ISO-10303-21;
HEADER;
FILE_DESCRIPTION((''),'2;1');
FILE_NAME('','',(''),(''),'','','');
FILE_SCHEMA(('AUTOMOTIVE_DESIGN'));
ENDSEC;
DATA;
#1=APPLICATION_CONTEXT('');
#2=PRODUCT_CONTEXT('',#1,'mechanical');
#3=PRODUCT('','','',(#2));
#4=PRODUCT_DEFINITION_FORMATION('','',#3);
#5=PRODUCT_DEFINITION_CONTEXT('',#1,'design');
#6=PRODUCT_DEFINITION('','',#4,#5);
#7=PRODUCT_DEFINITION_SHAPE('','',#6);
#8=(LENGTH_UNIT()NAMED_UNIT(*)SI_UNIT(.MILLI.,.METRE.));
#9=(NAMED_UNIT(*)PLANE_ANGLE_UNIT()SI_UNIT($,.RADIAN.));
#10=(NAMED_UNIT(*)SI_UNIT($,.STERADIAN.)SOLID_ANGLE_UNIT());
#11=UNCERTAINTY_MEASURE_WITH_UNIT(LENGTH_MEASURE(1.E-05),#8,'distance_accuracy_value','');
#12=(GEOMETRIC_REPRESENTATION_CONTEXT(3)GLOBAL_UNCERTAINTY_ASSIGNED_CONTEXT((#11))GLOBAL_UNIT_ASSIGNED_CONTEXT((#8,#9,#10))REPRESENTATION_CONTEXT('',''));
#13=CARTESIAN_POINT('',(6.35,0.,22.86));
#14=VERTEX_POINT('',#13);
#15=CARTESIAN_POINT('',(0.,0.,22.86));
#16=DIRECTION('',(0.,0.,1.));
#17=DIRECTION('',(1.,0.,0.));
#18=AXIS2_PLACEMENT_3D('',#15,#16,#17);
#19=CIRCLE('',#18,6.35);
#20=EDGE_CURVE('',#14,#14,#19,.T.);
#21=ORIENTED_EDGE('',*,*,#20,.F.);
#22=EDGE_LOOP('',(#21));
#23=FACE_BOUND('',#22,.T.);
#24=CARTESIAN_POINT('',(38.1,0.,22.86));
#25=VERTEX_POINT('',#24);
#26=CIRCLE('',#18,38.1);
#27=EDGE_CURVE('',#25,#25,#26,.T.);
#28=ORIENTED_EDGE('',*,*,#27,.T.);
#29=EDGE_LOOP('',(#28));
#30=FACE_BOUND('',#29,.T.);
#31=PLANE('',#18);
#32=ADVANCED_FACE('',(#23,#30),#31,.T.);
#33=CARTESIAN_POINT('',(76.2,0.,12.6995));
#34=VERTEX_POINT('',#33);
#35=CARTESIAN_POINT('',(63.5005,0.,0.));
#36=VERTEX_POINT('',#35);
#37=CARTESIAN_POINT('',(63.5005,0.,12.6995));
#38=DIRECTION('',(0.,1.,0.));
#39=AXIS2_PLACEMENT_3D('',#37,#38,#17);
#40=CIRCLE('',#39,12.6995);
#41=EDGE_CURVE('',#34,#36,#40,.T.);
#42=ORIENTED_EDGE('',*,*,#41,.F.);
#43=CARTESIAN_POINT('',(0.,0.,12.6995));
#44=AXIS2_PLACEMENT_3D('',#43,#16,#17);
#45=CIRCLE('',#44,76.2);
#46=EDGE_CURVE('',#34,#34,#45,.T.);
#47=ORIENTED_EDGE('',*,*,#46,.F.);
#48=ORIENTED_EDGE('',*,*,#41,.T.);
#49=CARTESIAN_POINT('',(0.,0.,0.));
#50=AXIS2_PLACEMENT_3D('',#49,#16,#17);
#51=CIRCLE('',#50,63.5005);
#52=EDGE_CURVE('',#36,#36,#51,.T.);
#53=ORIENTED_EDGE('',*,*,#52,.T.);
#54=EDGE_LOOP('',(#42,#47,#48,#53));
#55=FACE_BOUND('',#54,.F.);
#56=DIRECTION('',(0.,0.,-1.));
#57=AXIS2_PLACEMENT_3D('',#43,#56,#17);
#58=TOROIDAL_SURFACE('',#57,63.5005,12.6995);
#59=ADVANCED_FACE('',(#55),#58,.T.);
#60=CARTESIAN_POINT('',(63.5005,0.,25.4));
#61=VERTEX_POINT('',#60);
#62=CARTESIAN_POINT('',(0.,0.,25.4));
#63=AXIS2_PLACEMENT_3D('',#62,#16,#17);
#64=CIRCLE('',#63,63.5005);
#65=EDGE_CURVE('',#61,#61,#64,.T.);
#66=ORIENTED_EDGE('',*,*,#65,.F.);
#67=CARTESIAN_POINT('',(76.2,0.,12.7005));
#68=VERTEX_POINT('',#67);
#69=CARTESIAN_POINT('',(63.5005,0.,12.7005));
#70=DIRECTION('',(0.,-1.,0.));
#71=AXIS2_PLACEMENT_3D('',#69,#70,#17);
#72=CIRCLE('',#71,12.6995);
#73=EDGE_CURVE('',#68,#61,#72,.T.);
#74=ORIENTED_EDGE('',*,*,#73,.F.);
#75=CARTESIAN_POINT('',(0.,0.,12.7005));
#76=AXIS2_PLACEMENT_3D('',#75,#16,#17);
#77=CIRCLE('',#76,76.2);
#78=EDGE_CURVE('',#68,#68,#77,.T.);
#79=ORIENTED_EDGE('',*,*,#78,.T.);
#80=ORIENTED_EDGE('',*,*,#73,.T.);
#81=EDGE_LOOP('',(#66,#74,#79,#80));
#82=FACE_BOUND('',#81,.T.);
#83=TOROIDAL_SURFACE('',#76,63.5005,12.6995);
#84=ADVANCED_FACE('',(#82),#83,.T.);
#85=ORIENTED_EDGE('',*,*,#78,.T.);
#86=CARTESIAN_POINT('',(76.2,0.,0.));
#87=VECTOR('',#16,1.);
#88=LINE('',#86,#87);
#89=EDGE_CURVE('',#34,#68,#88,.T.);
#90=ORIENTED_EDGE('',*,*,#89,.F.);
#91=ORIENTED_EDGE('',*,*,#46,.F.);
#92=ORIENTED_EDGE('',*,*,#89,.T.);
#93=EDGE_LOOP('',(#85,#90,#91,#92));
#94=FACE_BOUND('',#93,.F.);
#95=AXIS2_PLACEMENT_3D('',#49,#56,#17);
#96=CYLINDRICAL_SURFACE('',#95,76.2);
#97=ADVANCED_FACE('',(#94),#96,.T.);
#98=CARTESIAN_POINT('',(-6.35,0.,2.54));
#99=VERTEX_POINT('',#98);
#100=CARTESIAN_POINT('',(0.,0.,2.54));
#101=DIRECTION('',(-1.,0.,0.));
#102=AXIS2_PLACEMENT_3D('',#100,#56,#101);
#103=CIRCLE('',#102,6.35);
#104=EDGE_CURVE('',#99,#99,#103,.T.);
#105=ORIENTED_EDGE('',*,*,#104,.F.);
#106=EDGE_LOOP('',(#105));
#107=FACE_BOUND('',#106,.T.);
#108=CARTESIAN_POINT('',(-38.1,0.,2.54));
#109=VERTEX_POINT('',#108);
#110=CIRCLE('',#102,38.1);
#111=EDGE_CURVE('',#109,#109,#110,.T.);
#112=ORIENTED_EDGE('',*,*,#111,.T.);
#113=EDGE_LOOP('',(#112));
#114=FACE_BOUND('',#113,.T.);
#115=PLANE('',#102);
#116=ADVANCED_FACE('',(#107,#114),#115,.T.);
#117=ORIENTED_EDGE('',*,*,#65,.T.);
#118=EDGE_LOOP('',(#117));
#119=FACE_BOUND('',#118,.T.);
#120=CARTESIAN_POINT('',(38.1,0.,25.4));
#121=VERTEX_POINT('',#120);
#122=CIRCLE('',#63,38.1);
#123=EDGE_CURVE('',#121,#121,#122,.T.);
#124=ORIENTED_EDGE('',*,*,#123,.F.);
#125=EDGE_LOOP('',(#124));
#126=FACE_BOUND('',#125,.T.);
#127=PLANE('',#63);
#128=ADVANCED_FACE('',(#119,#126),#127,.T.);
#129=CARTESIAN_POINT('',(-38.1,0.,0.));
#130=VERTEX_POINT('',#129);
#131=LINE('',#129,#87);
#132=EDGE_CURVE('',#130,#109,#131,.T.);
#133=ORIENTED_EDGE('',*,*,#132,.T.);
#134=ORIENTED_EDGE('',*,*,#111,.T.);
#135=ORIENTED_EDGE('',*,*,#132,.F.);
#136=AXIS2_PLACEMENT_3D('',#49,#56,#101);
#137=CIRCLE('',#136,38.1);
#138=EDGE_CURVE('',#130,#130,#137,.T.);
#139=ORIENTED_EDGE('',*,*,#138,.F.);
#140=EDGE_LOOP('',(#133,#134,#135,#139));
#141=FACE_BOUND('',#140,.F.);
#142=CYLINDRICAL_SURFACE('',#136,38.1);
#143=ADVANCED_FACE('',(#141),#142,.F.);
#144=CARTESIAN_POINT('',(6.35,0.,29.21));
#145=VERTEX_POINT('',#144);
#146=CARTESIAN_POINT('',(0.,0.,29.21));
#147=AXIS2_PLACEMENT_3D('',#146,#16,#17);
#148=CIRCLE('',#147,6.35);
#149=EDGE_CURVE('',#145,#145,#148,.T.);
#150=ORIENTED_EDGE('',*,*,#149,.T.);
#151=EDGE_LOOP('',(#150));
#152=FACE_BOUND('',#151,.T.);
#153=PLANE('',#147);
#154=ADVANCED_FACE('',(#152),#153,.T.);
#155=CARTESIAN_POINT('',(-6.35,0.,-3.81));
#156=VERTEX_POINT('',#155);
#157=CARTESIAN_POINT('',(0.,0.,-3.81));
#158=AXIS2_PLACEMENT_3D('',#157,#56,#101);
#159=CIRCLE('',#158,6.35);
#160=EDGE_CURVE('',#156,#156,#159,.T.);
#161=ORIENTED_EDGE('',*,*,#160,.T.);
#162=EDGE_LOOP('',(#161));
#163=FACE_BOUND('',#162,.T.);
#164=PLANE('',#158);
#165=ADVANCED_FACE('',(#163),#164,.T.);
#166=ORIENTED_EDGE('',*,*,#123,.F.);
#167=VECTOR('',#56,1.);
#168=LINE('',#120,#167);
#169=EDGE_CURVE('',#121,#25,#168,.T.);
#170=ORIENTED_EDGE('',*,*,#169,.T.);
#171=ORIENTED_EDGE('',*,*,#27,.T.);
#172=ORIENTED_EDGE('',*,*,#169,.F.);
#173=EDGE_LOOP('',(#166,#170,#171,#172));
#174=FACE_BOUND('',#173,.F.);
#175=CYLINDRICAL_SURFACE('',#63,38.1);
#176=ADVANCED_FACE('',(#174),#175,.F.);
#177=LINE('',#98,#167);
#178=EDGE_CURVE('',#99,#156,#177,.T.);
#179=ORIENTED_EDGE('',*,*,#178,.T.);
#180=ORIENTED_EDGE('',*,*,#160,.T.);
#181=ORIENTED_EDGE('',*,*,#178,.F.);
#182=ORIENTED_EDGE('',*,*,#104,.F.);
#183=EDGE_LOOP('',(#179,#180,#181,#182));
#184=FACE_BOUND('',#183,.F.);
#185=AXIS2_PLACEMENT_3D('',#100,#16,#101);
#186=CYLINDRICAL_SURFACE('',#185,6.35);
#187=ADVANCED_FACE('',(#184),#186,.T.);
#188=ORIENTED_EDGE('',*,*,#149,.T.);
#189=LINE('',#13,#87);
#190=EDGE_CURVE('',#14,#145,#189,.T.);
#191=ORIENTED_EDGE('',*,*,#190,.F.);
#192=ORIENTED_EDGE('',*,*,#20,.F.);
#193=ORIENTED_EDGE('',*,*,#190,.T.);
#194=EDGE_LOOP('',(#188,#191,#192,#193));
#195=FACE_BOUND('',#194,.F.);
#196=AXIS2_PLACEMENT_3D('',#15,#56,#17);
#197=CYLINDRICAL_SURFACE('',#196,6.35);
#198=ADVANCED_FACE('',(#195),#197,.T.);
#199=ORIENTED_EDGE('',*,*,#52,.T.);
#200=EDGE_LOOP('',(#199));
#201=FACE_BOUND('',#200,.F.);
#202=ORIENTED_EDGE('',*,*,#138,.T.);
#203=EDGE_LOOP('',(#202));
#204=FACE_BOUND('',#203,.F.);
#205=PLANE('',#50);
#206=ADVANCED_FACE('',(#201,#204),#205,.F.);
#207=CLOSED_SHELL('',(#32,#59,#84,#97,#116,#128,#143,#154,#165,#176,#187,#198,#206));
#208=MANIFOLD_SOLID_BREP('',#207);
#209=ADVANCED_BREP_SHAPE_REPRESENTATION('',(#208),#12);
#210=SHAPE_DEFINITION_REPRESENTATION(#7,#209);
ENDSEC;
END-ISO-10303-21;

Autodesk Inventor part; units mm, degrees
ref_plane "YZ Plane" through (0, 0, 0) normal (1, 0, 0) x (0, 1, 0)
ref_plane "XZ Plane" through (0, 0, 0) normal (0, 1, 0) x (-1, 0, 0)
ref_plane "XY Plane" through (0, 0, 0) normal (0, 0, 1) x (1, 0, 0)
sketch "Sketch1" plane through (0, 0, 0) normal (0, 0, 1) x (1, 0, 0)
  circle A0 centre (0, 0) radius 76.2
  dimension "d0" = 152.4
extrude "Extrusion1" add sketch "Sketch1" along normal blind 25.4
sketch "Sketch2" plane through (0, 0, 25.4) normal (0, 0, 1) x (1, 0, 0)
  circle A0 centre (0, 0) radius 76.2 projected
  circle A1 centre (0, 0) radius 38.1
  dimension "d3" = 76.2
extrude "Extrusion2" cut sketch "Sketch2" against normal blind 2.54 contours A1
sketch "Sketch3" plane through (0, 0, 0) normal (0, 0, -1) x (-1, 0, 0)
  circle A0 centre (0, 0) radius 76.2 projected
  circle A1 centre (0, 0) radius 38.1
  dimension "d6" = 76.2
extrude "Extrusion3" cut sketch "Sketch3" against normal blind 2.54 contours A1
fillet "Fillet1" radius 12.7 2 edges at (-76.2, 0, 25.4) (-76.2, 0, 0)
sketch "Sketch4" plane through (0, 0, 22.86) normal (0, 0, 1) x (1, 0, 0)
  circle A0 centre (0, 0) radius 38.1 projected
  circle A1 centre (0, 0) radius 6.35
  dimension "d10" = 12.7
extrude "Extrusion4" add sketch "Sketch4" along normal blind 6.35 contours A1
sketch "Sketch5" plane through (0, 0, 2.54) normal (0, 0, -1) x (-1, 0, 0)
  circle A0 centre (0, 0) radius 38.1 projected
  circle A1 centre (0, 0) radius 6.35
  dimension "d13" = 12.7
extrude "Extrusion5" add sketch "Sketch5" along normal blind 6.35 contours A1
properties part number "wheel"
